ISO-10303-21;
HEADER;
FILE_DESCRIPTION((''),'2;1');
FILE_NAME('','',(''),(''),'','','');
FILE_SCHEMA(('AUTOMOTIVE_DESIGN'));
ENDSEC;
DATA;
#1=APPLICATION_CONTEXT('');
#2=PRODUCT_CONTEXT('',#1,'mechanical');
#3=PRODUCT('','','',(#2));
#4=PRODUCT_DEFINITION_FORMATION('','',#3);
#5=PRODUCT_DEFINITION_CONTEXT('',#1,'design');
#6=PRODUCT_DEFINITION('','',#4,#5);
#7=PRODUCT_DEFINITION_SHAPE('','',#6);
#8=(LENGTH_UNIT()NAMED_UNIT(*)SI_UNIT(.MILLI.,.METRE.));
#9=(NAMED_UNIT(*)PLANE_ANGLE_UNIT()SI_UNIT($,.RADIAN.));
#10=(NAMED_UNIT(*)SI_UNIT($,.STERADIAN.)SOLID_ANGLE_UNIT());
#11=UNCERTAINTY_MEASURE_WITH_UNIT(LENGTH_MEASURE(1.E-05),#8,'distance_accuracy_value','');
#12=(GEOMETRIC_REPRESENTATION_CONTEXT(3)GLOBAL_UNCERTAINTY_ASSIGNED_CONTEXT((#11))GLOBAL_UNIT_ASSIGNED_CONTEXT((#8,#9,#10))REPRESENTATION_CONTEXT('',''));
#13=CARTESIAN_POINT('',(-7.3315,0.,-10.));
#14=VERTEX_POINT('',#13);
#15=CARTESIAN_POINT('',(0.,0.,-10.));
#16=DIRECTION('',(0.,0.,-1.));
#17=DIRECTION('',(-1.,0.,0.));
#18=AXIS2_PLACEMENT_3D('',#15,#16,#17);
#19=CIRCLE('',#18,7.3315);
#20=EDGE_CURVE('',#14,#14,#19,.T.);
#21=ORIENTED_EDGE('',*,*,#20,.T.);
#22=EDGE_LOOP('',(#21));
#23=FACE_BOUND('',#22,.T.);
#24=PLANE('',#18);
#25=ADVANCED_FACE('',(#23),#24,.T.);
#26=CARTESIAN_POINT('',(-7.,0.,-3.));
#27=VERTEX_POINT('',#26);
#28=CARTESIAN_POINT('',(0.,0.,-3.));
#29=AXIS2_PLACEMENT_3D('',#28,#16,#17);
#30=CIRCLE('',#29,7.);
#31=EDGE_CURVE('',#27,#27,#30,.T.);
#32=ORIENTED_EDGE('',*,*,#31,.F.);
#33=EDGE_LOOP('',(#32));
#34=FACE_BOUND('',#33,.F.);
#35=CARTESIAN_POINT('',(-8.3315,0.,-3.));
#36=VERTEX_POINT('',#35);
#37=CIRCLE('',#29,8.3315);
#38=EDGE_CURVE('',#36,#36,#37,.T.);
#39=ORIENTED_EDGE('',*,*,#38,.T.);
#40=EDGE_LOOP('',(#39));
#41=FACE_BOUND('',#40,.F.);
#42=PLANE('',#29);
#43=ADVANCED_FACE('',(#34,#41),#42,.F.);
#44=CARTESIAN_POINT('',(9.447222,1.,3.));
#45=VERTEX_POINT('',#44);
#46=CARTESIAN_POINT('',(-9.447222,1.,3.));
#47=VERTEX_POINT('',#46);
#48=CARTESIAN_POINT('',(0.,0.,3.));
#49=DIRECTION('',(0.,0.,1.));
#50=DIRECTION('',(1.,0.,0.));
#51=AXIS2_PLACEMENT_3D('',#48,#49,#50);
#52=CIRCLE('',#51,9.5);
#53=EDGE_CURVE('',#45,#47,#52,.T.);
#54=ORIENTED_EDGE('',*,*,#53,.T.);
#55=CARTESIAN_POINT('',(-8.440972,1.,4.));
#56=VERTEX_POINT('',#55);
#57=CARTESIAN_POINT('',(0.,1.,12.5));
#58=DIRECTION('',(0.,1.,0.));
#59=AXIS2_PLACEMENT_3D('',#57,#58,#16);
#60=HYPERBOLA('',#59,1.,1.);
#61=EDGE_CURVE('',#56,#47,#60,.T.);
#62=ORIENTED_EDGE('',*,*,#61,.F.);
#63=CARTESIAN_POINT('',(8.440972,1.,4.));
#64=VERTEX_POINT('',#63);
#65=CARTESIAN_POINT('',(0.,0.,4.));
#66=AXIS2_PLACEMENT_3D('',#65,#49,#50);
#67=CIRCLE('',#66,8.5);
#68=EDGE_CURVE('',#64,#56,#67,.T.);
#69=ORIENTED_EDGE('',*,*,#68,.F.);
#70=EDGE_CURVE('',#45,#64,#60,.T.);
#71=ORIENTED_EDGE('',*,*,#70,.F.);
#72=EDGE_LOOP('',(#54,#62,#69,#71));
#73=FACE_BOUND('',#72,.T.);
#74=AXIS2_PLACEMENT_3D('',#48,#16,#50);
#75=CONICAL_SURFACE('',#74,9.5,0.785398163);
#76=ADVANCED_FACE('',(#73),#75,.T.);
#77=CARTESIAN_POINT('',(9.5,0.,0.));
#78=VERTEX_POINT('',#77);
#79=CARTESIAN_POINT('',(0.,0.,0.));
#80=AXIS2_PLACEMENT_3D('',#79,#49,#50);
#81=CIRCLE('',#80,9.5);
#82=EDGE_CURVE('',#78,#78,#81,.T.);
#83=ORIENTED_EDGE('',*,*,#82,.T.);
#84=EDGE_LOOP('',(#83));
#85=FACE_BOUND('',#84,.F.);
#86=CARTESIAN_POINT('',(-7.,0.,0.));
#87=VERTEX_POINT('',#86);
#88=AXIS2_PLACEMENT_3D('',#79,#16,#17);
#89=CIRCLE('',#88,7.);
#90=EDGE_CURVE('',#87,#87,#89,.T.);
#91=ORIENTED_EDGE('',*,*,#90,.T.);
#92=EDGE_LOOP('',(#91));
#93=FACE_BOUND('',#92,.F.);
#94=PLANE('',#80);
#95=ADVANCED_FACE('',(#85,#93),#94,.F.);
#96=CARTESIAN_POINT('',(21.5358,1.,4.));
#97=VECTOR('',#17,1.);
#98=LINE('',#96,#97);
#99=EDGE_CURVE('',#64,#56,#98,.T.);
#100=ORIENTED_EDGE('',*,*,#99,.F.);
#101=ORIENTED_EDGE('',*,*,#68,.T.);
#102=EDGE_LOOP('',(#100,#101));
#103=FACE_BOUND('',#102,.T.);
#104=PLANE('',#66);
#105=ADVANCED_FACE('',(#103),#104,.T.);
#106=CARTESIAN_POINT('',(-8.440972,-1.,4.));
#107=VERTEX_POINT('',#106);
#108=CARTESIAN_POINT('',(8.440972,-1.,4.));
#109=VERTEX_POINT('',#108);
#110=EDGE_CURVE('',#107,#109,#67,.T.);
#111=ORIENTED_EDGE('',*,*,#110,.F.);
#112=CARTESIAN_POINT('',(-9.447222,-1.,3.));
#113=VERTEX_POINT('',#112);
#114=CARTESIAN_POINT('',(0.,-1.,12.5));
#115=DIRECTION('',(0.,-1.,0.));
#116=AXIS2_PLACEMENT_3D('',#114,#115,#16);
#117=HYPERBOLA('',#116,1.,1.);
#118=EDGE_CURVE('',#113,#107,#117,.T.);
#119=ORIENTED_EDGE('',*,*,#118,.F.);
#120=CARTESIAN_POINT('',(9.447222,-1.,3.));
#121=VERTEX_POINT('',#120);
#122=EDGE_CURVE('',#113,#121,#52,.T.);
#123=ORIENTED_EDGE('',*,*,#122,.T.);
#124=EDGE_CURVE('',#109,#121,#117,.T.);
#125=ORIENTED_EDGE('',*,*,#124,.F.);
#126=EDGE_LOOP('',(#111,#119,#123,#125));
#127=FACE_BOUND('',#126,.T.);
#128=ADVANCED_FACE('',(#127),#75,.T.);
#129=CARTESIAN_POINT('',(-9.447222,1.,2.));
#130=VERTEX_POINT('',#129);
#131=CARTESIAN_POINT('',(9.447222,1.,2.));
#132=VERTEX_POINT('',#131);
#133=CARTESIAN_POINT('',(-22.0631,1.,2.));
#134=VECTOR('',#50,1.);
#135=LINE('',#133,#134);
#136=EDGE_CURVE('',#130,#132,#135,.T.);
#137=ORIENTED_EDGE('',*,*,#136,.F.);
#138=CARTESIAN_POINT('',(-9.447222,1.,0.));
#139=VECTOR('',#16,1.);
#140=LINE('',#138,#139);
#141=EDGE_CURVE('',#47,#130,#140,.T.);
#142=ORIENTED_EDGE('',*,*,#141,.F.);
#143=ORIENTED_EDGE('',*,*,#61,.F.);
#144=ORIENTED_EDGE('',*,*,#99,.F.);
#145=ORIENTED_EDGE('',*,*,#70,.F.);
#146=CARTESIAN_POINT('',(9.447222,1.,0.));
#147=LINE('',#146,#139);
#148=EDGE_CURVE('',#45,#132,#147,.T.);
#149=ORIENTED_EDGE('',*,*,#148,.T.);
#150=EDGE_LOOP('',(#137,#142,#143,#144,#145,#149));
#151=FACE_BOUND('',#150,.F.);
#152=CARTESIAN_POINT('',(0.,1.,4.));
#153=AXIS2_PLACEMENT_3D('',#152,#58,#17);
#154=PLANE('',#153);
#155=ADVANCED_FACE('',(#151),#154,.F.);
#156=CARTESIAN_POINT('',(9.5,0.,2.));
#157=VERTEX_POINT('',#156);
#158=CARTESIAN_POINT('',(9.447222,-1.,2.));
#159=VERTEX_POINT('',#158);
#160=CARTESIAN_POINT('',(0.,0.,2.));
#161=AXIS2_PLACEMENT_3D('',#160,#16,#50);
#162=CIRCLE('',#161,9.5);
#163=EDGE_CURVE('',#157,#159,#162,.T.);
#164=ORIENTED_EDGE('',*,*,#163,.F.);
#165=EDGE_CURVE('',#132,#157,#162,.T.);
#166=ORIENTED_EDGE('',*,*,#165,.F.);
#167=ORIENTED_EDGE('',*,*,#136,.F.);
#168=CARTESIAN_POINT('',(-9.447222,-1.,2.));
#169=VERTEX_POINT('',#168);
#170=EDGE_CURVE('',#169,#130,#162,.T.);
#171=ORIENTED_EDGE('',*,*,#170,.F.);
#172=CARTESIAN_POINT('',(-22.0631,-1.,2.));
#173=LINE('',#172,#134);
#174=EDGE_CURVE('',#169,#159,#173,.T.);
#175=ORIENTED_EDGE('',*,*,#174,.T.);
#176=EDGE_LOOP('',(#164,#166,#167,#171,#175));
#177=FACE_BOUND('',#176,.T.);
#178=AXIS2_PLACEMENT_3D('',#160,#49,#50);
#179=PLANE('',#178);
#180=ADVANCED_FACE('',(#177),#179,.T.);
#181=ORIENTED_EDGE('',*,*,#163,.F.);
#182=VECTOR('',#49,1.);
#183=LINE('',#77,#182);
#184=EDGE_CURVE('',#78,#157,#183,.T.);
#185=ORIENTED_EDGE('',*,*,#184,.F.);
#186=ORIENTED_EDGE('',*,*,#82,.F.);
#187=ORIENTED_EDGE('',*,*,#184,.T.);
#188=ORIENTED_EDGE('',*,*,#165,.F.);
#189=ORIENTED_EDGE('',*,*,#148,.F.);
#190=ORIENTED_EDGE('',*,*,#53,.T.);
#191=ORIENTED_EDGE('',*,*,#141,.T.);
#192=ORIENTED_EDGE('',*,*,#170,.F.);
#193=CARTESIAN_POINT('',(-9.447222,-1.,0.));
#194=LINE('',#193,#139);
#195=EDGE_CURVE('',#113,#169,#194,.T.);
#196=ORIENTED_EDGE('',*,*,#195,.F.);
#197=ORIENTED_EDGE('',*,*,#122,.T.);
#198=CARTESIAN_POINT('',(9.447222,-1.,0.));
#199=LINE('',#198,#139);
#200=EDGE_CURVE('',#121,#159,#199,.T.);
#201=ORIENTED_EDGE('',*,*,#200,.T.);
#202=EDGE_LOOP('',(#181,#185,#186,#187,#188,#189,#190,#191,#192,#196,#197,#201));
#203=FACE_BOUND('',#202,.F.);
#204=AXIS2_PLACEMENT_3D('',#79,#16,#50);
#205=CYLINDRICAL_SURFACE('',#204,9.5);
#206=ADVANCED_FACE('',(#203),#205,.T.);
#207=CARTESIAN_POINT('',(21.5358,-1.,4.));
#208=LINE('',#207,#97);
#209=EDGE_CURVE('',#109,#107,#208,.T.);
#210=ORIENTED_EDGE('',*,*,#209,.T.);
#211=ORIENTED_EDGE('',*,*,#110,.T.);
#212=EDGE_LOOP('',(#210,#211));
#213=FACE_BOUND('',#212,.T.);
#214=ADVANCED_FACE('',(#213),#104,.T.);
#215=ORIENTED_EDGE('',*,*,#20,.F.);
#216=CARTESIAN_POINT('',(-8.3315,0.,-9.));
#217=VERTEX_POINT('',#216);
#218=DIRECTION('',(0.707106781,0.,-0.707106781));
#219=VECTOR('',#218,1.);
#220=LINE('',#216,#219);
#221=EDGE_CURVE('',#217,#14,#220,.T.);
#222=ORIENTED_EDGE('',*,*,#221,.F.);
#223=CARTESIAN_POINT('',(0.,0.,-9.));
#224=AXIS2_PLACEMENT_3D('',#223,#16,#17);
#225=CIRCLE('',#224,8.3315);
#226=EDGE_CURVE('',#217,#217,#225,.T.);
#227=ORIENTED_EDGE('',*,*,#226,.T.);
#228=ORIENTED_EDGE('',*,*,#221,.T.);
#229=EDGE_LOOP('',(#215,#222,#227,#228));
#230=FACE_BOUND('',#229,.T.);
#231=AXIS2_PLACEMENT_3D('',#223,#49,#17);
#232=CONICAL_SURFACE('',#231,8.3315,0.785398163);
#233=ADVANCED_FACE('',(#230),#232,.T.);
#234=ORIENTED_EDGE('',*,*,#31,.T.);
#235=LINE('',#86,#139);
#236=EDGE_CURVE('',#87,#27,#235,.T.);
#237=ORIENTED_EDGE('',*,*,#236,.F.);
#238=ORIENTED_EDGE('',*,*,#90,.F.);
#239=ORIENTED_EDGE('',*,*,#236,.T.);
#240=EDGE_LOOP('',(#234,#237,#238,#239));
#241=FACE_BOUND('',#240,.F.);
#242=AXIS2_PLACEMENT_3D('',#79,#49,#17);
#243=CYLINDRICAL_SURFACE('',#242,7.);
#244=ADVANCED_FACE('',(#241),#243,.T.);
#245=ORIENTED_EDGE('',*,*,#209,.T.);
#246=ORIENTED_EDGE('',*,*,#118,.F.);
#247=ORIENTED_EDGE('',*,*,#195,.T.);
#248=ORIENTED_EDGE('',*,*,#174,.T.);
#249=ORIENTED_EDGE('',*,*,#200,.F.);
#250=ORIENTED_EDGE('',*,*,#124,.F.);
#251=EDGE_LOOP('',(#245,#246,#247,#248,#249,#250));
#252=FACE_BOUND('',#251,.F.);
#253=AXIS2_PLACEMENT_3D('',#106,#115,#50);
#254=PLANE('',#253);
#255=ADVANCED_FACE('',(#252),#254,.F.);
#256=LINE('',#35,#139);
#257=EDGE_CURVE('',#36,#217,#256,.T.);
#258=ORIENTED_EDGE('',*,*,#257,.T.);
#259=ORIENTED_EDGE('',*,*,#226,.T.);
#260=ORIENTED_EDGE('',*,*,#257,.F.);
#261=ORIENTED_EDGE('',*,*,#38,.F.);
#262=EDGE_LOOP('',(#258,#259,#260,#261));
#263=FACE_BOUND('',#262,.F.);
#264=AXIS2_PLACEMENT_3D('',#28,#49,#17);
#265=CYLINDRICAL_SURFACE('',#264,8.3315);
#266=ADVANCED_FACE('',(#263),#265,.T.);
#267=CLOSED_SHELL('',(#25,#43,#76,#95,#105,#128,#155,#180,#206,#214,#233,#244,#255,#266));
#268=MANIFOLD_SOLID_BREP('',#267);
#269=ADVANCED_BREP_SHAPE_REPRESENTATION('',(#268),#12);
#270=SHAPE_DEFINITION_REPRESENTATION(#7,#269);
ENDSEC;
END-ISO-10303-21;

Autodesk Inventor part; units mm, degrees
ref_plane "YZ Plane" through (0, 0, 0) normal (1, 0, 0) x (0, 1, 0)
ref_plane "XZ Plane" through (0, 0, 0) normal (0, 1, 0) x (-1, 0, 0)
ref_plane "XY Plane" through (0, 0, 0) normal (0, 0, 1) x (1, 0, 0)
sketch "草图1" plane through (0, 0, 0) normal (0, 0, 1) x (1, 0, 0)
  circle A0 centre (0, 0) radius 9.5
  dimension "d0" = 19
extrude "拉伸1" add sketch "草图1" along normal blind 4
sketch "草图2" plane through (0, 0, 0) normal (0, 0, -1) x (-1, 0, 0)
  circle A0 centre (0, 0) radius 9.5 projected
  circle A1 centre (0, 0) radius 7
  dimension "d3" = 14
extrude "拉伸2" add sketch "草图2" along normal blind 3 contours A1
sketch "草图3" plane through (0, 0, -3) normal (0, 0, -1) x (-1, 0, 0)
  circle A0 centre (0, 0) radius 7 projected
  circle A1 centre (0, 0) radius 8.3315
  dimension "d6" = 14
  dimension "d7" = 16.663
extrude "拉伸3" add sketch "草图3" along normal blind 7 contours A0 | A1
thread "螺纹1" size "G16.662x1.337" designation "G 3/8" class "A" standard "GB Pipe Threads without seal" length 22
chamfer "倒角1" distance 1 angle 45 2 edges at (8.3315, 0, -10) (-9.5, 0, 4)
sketch "草图4" plane through (0, 0, 4) normal (0, 0, 1) x (1, 0, 0)
  circle A0 centre (0, 0) radius 8.5 projected
  line L0 (0, 0) -> (0, 1)
  line L1 (0, 1) -> (21.5358, 1)
  line L2 (21.5358, 1) -> (-22.0631, 1)
  line L3 (-22.0631, 1) -> (-22.0631, -1)
  line L4 (-22.0631, -1) -> (21.5358, -1)
  line L5 (21.5358, -1) -> (21.5358, 1)
  dimension "d15" = 1
  dimension "d16" = 2
extrude "拉伸4" cut sketch "草图4" against normal blind 2 contours A0 L4 L2 L1 | A0 L1 L5 L4 | A0 L4 L3 L2
properties part number "螺塞" material "钢 AISI 1018 106 HR"
